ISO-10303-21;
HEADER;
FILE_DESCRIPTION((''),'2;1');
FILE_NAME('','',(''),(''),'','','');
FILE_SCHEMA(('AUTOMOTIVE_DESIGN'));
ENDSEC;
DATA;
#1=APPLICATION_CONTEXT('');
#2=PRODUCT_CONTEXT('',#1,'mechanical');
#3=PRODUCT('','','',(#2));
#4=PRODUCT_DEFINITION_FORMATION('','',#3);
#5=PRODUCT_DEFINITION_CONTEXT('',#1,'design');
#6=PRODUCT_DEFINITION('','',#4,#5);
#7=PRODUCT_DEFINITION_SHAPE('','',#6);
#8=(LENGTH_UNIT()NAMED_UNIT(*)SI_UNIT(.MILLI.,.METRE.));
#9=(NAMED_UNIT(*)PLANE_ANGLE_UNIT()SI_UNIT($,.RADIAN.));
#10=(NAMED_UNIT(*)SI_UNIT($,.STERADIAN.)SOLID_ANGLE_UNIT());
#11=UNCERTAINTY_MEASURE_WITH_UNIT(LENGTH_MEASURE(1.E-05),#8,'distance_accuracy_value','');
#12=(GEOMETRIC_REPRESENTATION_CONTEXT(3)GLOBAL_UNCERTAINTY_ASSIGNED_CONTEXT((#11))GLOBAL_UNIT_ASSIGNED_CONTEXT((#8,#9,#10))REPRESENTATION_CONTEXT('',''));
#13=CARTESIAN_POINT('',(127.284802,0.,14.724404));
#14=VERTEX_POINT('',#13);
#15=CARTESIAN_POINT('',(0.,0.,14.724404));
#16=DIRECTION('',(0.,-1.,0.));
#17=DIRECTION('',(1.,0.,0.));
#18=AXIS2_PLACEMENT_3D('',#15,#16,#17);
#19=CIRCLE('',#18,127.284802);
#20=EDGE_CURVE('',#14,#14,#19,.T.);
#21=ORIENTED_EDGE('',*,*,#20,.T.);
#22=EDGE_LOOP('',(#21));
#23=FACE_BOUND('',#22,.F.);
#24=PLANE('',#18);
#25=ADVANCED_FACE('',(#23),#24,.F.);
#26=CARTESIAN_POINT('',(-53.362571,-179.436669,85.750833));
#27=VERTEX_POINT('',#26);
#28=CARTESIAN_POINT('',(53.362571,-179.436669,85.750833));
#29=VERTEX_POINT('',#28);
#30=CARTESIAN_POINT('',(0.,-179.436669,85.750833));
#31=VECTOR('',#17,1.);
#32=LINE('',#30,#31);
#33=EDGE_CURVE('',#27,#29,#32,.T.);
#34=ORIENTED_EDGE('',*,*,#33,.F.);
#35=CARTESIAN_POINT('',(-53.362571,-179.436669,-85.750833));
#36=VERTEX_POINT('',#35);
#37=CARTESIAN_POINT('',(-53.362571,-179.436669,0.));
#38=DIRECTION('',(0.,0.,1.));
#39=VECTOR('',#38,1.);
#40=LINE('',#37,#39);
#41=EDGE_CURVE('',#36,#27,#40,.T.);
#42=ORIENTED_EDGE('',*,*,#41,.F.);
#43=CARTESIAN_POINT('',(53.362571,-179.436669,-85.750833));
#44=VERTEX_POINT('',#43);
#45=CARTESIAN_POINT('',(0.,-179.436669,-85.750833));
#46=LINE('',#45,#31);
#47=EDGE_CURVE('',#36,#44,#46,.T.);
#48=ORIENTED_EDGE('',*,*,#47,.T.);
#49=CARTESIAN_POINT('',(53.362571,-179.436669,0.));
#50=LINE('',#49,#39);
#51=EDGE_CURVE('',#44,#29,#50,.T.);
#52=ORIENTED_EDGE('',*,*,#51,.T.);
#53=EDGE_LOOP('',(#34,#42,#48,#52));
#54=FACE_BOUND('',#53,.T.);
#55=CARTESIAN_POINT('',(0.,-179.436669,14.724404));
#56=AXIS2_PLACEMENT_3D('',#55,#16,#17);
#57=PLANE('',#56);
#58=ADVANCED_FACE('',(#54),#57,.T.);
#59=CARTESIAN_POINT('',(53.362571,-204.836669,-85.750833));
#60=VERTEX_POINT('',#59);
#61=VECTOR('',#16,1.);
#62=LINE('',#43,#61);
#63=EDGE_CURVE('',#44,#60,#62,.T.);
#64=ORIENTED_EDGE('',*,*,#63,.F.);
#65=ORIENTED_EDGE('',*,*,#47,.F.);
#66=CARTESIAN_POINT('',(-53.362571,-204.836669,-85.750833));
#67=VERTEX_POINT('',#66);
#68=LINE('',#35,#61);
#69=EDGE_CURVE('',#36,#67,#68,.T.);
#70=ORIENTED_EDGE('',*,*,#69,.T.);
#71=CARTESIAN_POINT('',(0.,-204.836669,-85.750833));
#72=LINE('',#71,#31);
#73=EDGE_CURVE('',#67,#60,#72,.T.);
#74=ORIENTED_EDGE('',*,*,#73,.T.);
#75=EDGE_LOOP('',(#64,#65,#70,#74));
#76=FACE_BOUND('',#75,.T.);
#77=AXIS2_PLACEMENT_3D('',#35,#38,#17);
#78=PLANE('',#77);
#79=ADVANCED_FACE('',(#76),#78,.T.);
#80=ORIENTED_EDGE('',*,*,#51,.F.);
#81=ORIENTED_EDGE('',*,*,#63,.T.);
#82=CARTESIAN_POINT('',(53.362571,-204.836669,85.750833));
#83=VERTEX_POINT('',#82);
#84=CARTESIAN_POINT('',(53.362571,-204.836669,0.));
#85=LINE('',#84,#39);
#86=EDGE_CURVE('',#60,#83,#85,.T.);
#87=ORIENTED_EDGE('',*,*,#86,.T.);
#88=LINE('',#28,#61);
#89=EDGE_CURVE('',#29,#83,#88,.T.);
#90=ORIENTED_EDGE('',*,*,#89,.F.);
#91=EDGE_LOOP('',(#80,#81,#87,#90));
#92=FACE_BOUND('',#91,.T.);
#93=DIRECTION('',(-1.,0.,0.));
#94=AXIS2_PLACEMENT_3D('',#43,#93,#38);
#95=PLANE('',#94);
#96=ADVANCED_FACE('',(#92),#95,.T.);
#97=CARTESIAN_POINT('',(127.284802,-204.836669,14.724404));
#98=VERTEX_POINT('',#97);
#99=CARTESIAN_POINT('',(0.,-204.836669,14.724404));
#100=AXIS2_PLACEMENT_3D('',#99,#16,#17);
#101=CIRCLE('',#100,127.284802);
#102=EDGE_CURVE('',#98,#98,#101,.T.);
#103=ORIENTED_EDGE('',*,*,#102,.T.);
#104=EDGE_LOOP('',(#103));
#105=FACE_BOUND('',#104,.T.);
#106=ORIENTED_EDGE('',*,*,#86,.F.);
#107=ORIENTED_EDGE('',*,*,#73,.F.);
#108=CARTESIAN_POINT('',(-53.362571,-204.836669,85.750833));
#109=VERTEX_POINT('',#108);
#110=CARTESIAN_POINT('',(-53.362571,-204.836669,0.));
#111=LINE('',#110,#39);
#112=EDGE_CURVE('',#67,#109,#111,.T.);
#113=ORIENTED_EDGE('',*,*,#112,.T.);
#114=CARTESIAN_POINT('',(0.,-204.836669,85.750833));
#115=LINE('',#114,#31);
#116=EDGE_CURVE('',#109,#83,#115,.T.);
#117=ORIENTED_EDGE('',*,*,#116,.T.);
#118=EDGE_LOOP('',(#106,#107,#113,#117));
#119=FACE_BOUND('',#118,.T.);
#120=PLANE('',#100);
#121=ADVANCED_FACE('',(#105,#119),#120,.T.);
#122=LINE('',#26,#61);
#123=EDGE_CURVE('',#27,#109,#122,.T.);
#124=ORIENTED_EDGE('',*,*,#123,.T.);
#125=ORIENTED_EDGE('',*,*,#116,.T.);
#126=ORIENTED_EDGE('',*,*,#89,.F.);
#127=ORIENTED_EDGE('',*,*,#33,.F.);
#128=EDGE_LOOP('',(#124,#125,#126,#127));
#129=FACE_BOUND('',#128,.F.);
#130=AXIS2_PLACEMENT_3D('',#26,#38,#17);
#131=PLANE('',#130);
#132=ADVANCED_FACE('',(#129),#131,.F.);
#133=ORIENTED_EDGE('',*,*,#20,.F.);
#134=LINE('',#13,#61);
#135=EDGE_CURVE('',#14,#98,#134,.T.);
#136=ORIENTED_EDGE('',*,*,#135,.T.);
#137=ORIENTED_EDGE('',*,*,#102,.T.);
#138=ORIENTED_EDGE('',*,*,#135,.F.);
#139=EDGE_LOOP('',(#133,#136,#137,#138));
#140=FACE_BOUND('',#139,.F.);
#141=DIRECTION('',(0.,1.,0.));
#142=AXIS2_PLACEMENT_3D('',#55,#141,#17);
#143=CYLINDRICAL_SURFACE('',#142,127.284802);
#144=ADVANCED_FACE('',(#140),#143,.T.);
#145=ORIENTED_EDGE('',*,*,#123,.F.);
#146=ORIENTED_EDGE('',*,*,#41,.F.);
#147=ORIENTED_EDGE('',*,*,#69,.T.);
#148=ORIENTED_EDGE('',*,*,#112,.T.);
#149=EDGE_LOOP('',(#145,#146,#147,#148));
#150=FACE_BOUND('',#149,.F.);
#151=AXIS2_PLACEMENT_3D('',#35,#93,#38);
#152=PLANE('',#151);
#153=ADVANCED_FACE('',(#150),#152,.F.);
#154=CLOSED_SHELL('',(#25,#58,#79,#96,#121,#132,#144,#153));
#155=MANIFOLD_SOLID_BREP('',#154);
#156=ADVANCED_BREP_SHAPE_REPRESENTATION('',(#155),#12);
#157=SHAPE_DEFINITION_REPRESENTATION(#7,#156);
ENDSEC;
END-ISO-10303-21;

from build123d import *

# Parameters (mm, degrees)
F0_R     = 127.284802
F1_DEPTH = 179.436669
F2_R     = 127.284802
F2_W     = 106.725142
F2_H     = 171.501666
F3_DEPTH = 25.4


with BuildPart() as f1:
    # F0 (on Front) → F1 (new body)
    with BuildSketch(Plane.XZ):
        with Locations((0, 14.724404)):
            Circle(F0_R)
    extrude(amount=F1_DEPTH)

    # F2 (on face) → F3 (join)
    with BuildSketch(Plane.XZ.offset(179.436669)):
        with Locations((0, 14.724404)):
            Circle(F2_R)
        Rectangle(F2_W, F2_H, mode=Mode.SUBTRACT)
    extrude(amount=F3_DEPTH)


solid = f1.part
